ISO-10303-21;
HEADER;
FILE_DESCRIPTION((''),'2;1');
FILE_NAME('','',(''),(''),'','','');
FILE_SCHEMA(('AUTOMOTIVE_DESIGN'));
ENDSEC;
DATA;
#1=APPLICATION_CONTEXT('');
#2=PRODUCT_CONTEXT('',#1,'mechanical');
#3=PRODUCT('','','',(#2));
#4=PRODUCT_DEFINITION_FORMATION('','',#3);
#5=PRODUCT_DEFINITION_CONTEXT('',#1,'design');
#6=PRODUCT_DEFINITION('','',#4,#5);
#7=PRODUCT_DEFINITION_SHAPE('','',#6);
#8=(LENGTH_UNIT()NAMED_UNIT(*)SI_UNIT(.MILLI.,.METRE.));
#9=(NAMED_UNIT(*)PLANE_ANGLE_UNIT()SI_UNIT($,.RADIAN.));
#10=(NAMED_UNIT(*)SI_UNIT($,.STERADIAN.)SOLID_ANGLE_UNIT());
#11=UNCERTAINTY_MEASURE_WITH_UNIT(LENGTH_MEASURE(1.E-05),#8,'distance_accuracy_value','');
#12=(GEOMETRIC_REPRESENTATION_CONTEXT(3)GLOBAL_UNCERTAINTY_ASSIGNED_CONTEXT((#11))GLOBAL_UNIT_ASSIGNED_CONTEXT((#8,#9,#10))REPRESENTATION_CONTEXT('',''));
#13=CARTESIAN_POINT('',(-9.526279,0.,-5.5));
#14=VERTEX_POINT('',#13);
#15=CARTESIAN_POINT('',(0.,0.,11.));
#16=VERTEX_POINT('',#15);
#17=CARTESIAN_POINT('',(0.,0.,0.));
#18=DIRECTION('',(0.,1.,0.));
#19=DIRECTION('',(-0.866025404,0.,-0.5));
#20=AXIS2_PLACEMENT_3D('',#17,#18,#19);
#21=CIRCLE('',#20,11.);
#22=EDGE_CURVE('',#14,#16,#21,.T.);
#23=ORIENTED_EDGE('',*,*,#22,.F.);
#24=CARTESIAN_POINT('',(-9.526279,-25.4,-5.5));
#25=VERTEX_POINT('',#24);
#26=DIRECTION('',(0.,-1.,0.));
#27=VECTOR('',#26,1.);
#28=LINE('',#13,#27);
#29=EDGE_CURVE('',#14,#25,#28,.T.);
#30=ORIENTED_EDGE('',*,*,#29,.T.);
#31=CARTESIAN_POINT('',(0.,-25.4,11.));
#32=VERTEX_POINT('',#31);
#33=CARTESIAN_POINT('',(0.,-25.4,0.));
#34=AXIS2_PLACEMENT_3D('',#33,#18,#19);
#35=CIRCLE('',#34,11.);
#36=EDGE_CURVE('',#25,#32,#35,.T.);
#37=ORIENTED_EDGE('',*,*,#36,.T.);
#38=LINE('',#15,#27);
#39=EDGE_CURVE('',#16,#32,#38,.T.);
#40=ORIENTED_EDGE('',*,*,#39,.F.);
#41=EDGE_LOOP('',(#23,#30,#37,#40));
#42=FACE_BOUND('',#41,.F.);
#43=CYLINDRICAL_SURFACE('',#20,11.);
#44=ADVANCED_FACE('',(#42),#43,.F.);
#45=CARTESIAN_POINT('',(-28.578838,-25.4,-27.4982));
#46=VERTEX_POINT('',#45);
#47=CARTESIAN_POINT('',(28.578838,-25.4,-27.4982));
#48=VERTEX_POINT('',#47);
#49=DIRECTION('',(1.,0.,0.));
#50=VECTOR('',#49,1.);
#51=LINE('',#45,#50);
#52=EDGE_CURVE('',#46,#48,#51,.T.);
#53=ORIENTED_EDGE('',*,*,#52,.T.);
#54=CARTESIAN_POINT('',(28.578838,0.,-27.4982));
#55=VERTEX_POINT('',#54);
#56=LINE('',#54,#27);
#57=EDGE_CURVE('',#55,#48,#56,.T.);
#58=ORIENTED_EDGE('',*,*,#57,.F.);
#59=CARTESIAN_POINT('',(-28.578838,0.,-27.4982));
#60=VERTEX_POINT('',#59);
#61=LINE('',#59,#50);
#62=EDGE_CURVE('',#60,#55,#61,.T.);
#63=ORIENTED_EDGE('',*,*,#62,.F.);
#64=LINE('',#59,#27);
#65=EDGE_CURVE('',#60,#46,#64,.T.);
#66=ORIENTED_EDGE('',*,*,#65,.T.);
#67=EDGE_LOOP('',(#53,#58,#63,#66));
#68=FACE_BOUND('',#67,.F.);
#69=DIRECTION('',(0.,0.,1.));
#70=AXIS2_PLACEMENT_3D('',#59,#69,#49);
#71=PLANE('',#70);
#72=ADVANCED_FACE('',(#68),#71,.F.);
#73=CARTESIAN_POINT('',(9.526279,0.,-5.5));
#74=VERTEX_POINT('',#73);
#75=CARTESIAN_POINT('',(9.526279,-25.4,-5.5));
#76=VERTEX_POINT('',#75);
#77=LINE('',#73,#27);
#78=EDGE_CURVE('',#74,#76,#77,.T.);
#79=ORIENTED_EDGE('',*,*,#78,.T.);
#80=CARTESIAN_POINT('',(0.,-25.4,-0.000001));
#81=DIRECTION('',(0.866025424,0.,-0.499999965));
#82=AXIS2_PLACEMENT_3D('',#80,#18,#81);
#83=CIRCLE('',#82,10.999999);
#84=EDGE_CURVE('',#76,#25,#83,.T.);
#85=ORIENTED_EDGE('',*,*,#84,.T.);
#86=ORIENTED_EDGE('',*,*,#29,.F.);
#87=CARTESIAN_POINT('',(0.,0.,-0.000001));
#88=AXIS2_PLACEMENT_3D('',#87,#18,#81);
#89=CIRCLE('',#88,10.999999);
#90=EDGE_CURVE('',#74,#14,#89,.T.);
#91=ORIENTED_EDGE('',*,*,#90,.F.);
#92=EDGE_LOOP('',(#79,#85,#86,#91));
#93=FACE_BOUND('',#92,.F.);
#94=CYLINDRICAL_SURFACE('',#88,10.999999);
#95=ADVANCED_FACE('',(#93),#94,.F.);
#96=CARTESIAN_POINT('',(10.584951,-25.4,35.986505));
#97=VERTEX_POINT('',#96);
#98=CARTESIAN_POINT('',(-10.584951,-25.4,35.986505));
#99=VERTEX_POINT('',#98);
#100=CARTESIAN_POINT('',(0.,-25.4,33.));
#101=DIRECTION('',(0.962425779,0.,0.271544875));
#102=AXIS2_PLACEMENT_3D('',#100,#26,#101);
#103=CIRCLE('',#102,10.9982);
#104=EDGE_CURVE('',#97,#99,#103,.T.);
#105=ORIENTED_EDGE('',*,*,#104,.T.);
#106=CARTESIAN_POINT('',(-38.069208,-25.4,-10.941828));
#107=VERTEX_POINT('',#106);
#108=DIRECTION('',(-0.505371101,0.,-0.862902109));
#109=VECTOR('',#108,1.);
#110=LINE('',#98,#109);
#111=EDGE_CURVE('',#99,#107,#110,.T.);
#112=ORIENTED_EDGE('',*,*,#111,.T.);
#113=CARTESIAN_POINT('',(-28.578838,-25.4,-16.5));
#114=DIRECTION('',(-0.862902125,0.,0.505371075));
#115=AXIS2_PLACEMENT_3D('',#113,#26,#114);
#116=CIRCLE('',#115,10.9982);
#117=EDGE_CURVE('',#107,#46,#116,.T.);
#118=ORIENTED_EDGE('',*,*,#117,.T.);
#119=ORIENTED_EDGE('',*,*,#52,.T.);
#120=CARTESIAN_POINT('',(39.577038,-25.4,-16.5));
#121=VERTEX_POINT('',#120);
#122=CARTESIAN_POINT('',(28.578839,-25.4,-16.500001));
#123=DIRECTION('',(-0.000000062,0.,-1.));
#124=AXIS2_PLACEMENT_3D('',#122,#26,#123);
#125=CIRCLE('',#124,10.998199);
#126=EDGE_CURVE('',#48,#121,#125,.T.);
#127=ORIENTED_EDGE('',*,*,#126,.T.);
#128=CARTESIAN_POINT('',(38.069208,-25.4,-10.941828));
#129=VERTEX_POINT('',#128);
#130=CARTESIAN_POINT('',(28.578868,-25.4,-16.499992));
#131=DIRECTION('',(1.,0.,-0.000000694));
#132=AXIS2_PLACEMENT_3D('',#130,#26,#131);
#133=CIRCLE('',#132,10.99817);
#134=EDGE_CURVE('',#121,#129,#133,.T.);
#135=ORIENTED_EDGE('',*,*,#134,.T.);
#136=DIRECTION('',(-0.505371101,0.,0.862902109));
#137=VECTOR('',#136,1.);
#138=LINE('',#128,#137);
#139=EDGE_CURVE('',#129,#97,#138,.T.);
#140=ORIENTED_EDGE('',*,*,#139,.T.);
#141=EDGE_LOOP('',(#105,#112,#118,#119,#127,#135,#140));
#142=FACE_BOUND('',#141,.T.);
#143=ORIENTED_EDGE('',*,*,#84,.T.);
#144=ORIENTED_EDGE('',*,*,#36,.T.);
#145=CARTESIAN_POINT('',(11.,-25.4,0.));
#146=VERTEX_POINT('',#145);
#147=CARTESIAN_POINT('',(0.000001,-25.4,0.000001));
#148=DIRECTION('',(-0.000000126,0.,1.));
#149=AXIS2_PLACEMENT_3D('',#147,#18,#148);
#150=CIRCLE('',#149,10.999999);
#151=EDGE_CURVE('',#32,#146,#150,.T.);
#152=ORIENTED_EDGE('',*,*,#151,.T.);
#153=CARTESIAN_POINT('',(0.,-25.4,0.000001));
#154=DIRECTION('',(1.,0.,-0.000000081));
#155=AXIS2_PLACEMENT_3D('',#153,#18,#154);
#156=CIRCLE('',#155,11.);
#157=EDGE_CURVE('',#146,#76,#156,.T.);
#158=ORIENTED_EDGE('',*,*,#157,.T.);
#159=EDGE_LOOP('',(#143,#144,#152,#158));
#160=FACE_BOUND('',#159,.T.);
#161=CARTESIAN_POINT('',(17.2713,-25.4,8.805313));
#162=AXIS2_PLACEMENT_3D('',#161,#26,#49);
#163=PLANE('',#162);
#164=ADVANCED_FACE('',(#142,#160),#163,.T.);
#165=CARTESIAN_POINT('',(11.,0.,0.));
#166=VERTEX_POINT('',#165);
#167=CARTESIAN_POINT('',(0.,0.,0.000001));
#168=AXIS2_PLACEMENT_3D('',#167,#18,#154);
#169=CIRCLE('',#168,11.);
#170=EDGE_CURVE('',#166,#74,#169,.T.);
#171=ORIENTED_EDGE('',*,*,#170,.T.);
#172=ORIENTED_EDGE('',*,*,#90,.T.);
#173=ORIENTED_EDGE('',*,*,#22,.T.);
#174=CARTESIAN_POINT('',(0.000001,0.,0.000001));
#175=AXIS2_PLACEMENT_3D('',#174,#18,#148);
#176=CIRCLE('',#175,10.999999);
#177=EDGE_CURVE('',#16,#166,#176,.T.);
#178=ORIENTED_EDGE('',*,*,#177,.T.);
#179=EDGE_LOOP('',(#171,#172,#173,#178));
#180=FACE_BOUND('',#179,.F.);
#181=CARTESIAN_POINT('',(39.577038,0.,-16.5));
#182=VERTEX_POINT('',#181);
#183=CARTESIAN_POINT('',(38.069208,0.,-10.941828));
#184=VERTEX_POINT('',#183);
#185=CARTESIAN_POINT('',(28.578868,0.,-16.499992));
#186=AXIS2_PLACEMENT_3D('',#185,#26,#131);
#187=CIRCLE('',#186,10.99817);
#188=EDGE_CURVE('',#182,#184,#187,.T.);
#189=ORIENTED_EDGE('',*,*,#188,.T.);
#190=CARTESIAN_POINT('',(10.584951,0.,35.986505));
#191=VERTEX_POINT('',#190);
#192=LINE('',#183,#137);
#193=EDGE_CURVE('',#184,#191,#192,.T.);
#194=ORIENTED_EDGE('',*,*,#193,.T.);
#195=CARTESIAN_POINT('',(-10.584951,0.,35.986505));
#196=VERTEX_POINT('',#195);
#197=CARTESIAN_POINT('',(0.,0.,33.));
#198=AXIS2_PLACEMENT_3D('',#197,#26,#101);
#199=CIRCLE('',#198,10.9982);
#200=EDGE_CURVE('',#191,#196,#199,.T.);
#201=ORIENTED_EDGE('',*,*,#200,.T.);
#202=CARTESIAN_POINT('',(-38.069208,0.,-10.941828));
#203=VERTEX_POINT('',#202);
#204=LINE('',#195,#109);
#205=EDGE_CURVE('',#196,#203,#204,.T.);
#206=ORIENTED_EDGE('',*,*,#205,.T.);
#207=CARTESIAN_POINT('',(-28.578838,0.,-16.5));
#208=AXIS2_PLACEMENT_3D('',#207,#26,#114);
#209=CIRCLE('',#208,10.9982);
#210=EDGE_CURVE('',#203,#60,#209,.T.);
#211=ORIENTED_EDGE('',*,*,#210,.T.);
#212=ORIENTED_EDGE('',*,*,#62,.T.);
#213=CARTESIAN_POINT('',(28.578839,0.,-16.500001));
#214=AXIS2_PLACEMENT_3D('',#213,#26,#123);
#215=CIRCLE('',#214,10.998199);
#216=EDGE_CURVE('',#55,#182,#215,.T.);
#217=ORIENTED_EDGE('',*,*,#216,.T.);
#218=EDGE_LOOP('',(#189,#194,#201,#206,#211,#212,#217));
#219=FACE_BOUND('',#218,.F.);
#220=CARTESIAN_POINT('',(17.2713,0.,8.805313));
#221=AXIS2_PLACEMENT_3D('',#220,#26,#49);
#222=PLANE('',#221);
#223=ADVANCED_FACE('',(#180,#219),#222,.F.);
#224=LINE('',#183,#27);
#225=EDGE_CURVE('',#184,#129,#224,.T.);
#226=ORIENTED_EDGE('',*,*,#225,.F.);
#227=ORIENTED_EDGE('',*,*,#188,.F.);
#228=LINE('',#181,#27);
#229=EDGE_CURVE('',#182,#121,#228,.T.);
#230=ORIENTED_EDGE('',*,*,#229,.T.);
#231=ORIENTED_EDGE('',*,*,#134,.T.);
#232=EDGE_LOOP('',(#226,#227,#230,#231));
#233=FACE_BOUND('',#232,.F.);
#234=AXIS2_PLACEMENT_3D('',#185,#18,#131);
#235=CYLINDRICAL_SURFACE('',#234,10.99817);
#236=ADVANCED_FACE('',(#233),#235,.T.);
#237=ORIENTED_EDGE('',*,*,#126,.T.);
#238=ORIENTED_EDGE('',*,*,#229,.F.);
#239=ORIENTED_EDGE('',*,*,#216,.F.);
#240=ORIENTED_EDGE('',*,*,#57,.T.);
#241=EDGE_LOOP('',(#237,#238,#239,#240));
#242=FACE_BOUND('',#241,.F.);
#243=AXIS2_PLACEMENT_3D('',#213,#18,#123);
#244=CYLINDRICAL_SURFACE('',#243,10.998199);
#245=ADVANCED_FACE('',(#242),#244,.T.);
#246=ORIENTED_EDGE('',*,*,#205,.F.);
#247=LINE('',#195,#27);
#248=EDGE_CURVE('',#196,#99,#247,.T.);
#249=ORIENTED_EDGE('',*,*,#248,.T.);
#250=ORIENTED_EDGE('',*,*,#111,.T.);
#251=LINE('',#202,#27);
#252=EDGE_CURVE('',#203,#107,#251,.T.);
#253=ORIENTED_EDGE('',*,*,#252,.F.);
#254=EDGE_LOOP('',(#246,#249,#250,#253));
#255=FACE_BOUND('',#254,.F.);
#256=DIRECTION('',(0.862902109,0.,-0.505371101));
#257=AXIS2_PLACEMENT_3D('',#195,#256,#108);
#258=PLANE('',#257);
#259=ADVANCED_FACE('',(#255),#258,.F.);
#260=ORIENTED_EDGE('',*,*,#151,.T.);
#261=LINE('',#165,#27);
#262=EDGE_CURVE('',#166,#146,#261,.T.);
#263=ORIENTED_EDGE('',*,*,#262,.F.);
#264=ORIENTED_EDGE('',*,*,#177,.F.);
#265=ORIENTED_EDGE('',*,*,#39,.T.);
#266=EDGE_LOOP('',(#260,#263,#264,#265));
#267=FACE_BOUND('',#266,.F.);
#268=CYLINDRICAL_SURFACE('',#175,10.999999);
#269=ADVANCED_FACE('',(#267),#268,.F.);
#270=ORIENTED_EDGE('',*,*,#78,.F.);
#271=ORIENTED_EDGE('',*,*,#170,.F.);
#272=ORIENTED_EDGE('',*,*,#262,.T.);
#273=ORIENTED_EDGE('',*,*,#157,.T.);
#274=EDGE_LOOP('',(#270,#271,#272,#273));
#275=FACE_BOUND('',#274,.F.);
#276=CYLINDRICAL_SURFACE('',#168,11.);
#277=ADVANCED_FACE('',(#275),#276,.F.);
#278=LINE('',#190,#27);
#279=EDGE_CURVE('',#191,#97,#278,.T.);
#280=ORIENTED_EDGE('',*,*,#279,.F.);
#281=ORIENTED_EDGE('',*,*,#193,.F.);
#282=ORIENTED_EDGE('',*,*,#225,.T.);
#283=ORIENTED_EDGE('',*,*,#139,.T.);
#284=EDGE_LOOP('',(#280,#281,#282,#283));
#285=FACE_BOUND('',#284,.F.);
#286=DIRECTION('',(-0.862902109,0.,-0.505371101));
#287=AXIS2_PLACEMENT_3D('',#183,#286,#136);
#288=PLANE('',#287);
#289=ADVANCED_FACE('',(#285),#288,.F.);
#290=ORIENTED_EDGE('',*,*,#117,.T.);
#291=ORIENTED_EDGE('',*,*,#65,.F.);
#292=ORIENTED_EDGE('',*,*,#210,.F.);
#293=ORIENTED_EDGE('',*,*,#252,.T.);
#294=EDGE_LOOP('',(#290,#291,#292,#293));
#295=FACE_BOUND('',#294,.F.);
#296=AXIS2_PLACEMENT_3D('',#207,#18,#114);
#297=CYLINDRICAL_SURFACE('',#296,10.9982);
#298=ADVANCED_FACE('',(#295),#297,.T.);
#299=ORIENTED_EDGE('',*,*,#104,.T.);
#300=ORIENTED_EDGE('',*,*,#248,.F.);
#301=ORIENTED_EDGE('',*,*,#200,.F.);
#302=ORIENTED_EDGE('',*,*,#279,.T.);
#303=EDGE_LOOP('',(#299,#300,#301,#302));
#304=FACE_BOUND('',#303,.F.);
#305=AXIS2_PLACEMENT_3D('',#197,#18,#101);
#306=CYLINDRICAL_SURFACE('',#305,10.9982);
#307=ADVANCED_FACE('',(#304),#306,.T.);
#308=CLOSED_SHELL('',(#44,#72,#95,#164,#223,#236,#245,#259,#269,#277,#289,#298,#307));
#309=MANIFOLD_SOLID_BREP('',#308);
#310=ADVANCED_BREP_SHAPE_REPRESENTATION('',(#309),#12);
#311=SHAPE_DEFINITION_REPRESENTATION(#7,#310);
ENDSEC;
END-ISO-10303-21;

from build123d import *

# Parameters (mm, degrees)
F1_DEPTH = 25.4


with BuildPart() as f1:
    # F0 (on Front) → F1 (new body)
    with BuildSketch(Plane.XZ):
        with BuildLine():
            ThreePointArc((0, 11), (7.778175, 7.778175), (11, 0))
            ThreePointArc((11, 0), (10.625184, -2.847009), (9.526279, -5.5))
            Line((9.526279, -5.5), (19.054118, -11.0009))
            ThreePointArc((19.054118, -11.0009), (28.544672, -5.501853), (38.069208, -10.941828))
            Line((38.069208, -10.941828), (10.584951, 35.986505))
            ThreePointArc((10.584951, 35.986505), (10.894398, 34.50748), (10.9982, 33))
            ThreePointArc((10.9982, 33), (7.776902, 25.223098), (0, 22.0018))
            Line((0, 22.0018), (0, 11))
        make_face()
        with BuildLine():
            ThreePointArc((-9.526279, -5.5), (-9.526279, 5.5), (0, 11))
            Line((0, 11), (0, 22.0018))
            ThreePointArc((0, 22.0018), (-8.769452, 26.362447), (-10.584951, 35.986505))
            Line((-10.584951, 35.986505), (-38.069208, -10.941828))
            ThreePointArc((-38.069208, -10.941828), (-28.544671, -5.501853), (-19.054118, -11.0009))
            Line((-19.054118, -11.0009), (-9.526279, -5.5))
        make_face()
        with BuildLine():
            Line((19.054118, -11.0009), (9.526279, -5.5))
            ThreePointArc((9.526279, -5.5), (0, -11), (-9.526279, -5.5))
            Line((-9.526279, -5.5), (-19.054118, -11.0009))
            ThreePointArc((-19.054118, -11.0009), (-17.955393, -13.653456), (-17.580638, -16.5))
            ThreePointArc((-17.580638, -16.5), (-20.801936, -24.276902), (-28.578838, -27.4982))
            Line((-28.578838, -27.4982), (28.578838, -27.4982))
            ThreePointArc((28.578838, -27.4982), (19.054118, -21.9991), (19.054118, -11.0009))
        make_face()
        with BuildLine():
            ThreePointArc((-10.584951, 35.986505), (-8.769452, 26.362447), (0, 22.0018))
            ThreePointArc((0, 22.0018), (7.776902, 25.223098), (10.9982, 33))
            ThreePointArc((10.9982, 33), (10.894398, 34.50748), (10.584951, 35.986505))
            ThreePointArc((10.584951, 35.986505), (0, 43.9982), (-10.584951, 35.986505))
        make_face()
        with BuildLine():
            ThreePointArc((38.069208, -10.941828), (28.544672, -5.501853), (19.054118, -11.0009))
            ThreePointArc((19.054118, -11.0009), (19.054118, -21.9991), (28.578838, -27.4982))
            ThreePointArc((28.578838, -27.4982), (36.35574, -24.276902), (39.577038, -16.5))
            ThreePointArc((39.577038, -16.5), (39.19339, -13.620467), (38.069208, -10.941828))
        make_face()
        with BuildLine():
            ThreePointArc((-17.580638, -16.5), (-17.955393, -13.653456), (-19.054118, -11.0009))
            ThreePointArc((-19.054118, -11.0009), (-28.544671, -5.501853), (-38.069208, -10.941828))
            ThreePointArc((-38.069208, -10.941828), (-38.120596, -21.969484), (-28.578838, -27.4982))
            ThreePointArc((-28.578838, -27.4982), (-20.801936, -24.276902), (-17.580638, -16.5))
        make_face()
    extrude(amount=F1_DEPTH)


solid = f1.part
